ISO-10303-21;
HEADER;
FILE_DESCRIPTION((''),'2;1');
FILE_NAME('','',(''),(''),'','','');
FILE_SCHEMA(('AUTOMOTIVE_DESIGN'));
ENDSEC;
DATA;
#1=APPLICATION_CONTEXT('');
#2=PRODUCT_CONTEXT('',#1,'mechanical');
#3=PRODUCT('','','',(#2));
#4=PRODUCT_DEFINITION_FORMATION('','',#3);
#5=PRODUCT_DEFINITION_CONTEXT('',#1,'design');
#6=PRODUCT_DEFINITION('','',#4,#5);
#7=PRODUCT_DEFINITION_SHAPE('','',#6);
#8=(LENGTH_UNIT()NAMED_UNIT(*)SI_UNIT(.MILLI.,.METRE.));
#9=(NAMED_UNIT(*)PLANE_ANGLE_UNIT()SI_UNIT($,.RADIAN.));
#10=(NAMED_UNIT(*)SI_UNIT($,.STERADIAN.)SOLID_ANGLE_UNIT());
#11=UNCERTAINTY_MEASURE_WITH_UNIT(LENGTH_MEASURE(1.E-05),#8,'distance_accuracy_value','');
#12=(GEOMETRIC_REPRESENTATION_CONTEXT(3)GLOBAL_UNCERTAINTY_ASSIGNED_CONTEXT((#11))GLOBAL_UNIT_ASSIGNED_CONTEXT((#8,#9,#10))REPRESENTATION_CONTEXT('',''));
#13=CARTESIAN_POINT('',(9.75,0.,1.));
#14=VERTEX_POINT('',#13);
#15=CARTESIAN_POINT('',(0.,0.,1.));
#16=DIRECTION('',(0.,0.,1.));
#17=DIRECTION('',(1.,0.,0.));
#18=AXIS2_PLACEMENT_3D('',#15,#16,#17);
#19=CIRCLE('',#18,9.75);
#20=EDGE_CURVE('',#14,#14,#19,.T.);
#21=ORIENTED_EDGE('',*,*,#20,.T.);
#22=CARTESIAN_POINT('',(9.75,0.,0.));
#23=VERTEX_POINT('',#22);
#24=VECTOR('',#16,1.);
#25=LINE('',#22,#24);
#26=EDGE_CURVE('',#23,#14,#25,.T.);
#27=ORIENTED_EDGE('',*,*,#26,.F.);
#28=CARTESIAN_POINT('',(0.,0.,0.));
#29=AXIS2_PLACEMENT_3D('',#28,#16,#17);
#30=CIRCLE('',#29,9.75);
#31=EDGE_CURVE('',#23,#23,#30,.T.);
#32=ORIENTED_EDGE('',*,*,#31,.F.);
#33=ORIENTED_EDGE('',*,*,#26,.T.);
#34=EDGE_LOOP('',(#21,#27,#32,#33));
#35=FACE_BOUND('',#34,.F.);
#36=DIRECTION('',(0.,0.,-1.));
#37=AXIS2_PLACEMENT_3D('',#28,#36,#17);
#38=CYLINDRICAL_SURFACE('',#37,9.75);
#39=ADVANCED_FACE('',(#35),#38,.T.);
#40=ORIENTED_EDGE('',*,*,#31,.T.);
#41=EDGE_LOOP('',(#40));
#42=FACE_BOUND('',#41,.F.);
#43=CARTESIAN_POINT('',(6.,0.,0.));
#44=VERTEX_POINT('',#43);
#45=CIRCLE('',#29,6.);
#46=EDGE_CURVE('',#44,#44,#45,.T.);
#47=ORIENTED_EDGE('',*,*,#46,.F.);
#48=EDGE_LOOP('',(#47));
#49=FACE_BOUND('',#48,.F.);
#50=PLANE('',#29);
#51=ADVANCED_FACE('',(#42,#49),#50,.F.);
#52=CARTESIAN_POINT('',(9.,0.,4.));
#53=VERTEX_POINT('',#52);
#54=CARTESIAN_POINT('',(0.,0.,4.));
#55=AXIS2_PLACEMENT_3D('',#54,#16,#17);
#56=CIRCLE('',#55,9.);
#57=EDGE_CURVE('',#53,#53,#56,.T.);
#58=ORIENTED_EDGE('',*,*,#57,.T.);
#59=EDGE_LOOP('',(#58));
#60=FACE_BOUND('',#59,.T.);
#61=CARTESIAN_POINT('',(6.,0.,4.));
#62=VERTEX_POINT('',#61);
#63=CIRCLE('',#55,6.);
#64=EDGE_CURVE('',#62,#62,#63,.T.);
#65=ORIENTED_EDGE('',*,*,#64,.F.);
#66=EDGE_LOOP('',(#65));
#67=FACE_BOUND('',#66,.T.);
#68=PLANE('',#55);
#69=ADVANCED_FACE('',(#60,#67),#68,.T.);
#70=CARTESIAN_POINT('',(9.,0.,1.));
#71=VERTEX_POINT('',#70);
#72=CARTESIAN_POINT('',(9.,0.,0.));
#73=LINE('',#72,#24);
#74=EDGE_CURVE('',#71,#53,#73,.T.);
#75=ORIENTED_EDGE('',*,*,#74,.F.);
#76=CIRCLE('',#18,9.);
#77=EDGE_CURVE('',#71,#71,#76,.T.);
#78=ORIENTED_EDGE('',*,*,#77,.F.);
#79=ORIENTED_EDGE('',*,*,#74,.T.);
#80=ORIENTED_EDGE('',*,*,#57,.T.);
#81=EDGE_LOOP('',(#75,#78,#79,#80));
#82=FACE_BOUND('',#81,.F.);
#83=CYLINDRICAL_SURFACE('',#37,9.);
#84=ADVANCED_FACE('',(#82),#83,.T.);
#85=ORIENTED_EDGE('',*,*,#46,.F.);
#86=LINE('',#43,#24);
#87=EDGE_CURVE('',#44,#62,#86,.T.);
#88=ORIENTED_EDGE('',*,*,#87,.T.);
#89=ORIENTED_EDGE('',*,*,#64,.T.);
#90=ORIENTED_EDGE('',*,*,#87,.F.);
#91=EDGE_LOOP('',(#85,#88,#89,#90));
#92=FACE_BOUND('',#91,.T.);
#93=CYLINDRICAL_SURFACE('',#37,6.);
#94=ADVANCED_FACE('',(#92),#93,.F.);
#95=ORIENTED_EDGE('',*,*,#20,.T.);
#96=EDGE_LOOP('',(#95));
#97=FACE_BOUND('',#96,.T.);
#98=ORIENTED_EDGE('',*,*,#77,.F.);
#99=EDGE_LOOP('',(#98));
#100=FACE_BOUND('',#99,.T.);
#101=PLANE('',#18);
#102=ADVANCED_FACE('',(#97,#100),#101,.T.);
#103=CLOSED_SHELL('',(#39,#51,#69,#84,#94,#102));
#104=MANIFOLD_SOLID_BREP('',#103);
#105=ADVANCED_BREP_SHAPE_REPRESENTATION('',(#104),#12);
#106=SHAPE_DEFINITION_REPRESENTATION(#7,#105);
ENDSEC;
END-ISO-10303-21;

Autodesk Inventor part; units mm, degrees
ref_plane "YZ Plane" through (0, 0, 0) normal (1, 0, 0) x (0, 1, 0)
ref_plane "XZ Plane" through (0, 0, 0) normal (0, 1, 0) x (-1, 0, 0)
ref_plane "XY Plane" through (0, 0, 0) normal (0, 0, 1) x (1, 0, 0)
sketch "スケッチ1" plane through (0, 0, 0) normal (0, 0, 1) x (1, 0, 0)
  circle A0 centre (0, 0) radius 6
  circle A1 centre (0, 0) radius 9
  circle A2 centre (0, 0) radius 9.75
  dimension "d0" = 12
  dimension "d1" = 18
  dimension "d2" = 19.5
extrude "押し出し1" add sketch "スケッチ1" along normal blind 1 contours A2
extrude "押し出し2" add sketch "スケッチ1" along normal blind 4 contours A1
properties part number "TH22_bearing_12_18_19.5_sn" material "アルミニウム 6061-AHC"
